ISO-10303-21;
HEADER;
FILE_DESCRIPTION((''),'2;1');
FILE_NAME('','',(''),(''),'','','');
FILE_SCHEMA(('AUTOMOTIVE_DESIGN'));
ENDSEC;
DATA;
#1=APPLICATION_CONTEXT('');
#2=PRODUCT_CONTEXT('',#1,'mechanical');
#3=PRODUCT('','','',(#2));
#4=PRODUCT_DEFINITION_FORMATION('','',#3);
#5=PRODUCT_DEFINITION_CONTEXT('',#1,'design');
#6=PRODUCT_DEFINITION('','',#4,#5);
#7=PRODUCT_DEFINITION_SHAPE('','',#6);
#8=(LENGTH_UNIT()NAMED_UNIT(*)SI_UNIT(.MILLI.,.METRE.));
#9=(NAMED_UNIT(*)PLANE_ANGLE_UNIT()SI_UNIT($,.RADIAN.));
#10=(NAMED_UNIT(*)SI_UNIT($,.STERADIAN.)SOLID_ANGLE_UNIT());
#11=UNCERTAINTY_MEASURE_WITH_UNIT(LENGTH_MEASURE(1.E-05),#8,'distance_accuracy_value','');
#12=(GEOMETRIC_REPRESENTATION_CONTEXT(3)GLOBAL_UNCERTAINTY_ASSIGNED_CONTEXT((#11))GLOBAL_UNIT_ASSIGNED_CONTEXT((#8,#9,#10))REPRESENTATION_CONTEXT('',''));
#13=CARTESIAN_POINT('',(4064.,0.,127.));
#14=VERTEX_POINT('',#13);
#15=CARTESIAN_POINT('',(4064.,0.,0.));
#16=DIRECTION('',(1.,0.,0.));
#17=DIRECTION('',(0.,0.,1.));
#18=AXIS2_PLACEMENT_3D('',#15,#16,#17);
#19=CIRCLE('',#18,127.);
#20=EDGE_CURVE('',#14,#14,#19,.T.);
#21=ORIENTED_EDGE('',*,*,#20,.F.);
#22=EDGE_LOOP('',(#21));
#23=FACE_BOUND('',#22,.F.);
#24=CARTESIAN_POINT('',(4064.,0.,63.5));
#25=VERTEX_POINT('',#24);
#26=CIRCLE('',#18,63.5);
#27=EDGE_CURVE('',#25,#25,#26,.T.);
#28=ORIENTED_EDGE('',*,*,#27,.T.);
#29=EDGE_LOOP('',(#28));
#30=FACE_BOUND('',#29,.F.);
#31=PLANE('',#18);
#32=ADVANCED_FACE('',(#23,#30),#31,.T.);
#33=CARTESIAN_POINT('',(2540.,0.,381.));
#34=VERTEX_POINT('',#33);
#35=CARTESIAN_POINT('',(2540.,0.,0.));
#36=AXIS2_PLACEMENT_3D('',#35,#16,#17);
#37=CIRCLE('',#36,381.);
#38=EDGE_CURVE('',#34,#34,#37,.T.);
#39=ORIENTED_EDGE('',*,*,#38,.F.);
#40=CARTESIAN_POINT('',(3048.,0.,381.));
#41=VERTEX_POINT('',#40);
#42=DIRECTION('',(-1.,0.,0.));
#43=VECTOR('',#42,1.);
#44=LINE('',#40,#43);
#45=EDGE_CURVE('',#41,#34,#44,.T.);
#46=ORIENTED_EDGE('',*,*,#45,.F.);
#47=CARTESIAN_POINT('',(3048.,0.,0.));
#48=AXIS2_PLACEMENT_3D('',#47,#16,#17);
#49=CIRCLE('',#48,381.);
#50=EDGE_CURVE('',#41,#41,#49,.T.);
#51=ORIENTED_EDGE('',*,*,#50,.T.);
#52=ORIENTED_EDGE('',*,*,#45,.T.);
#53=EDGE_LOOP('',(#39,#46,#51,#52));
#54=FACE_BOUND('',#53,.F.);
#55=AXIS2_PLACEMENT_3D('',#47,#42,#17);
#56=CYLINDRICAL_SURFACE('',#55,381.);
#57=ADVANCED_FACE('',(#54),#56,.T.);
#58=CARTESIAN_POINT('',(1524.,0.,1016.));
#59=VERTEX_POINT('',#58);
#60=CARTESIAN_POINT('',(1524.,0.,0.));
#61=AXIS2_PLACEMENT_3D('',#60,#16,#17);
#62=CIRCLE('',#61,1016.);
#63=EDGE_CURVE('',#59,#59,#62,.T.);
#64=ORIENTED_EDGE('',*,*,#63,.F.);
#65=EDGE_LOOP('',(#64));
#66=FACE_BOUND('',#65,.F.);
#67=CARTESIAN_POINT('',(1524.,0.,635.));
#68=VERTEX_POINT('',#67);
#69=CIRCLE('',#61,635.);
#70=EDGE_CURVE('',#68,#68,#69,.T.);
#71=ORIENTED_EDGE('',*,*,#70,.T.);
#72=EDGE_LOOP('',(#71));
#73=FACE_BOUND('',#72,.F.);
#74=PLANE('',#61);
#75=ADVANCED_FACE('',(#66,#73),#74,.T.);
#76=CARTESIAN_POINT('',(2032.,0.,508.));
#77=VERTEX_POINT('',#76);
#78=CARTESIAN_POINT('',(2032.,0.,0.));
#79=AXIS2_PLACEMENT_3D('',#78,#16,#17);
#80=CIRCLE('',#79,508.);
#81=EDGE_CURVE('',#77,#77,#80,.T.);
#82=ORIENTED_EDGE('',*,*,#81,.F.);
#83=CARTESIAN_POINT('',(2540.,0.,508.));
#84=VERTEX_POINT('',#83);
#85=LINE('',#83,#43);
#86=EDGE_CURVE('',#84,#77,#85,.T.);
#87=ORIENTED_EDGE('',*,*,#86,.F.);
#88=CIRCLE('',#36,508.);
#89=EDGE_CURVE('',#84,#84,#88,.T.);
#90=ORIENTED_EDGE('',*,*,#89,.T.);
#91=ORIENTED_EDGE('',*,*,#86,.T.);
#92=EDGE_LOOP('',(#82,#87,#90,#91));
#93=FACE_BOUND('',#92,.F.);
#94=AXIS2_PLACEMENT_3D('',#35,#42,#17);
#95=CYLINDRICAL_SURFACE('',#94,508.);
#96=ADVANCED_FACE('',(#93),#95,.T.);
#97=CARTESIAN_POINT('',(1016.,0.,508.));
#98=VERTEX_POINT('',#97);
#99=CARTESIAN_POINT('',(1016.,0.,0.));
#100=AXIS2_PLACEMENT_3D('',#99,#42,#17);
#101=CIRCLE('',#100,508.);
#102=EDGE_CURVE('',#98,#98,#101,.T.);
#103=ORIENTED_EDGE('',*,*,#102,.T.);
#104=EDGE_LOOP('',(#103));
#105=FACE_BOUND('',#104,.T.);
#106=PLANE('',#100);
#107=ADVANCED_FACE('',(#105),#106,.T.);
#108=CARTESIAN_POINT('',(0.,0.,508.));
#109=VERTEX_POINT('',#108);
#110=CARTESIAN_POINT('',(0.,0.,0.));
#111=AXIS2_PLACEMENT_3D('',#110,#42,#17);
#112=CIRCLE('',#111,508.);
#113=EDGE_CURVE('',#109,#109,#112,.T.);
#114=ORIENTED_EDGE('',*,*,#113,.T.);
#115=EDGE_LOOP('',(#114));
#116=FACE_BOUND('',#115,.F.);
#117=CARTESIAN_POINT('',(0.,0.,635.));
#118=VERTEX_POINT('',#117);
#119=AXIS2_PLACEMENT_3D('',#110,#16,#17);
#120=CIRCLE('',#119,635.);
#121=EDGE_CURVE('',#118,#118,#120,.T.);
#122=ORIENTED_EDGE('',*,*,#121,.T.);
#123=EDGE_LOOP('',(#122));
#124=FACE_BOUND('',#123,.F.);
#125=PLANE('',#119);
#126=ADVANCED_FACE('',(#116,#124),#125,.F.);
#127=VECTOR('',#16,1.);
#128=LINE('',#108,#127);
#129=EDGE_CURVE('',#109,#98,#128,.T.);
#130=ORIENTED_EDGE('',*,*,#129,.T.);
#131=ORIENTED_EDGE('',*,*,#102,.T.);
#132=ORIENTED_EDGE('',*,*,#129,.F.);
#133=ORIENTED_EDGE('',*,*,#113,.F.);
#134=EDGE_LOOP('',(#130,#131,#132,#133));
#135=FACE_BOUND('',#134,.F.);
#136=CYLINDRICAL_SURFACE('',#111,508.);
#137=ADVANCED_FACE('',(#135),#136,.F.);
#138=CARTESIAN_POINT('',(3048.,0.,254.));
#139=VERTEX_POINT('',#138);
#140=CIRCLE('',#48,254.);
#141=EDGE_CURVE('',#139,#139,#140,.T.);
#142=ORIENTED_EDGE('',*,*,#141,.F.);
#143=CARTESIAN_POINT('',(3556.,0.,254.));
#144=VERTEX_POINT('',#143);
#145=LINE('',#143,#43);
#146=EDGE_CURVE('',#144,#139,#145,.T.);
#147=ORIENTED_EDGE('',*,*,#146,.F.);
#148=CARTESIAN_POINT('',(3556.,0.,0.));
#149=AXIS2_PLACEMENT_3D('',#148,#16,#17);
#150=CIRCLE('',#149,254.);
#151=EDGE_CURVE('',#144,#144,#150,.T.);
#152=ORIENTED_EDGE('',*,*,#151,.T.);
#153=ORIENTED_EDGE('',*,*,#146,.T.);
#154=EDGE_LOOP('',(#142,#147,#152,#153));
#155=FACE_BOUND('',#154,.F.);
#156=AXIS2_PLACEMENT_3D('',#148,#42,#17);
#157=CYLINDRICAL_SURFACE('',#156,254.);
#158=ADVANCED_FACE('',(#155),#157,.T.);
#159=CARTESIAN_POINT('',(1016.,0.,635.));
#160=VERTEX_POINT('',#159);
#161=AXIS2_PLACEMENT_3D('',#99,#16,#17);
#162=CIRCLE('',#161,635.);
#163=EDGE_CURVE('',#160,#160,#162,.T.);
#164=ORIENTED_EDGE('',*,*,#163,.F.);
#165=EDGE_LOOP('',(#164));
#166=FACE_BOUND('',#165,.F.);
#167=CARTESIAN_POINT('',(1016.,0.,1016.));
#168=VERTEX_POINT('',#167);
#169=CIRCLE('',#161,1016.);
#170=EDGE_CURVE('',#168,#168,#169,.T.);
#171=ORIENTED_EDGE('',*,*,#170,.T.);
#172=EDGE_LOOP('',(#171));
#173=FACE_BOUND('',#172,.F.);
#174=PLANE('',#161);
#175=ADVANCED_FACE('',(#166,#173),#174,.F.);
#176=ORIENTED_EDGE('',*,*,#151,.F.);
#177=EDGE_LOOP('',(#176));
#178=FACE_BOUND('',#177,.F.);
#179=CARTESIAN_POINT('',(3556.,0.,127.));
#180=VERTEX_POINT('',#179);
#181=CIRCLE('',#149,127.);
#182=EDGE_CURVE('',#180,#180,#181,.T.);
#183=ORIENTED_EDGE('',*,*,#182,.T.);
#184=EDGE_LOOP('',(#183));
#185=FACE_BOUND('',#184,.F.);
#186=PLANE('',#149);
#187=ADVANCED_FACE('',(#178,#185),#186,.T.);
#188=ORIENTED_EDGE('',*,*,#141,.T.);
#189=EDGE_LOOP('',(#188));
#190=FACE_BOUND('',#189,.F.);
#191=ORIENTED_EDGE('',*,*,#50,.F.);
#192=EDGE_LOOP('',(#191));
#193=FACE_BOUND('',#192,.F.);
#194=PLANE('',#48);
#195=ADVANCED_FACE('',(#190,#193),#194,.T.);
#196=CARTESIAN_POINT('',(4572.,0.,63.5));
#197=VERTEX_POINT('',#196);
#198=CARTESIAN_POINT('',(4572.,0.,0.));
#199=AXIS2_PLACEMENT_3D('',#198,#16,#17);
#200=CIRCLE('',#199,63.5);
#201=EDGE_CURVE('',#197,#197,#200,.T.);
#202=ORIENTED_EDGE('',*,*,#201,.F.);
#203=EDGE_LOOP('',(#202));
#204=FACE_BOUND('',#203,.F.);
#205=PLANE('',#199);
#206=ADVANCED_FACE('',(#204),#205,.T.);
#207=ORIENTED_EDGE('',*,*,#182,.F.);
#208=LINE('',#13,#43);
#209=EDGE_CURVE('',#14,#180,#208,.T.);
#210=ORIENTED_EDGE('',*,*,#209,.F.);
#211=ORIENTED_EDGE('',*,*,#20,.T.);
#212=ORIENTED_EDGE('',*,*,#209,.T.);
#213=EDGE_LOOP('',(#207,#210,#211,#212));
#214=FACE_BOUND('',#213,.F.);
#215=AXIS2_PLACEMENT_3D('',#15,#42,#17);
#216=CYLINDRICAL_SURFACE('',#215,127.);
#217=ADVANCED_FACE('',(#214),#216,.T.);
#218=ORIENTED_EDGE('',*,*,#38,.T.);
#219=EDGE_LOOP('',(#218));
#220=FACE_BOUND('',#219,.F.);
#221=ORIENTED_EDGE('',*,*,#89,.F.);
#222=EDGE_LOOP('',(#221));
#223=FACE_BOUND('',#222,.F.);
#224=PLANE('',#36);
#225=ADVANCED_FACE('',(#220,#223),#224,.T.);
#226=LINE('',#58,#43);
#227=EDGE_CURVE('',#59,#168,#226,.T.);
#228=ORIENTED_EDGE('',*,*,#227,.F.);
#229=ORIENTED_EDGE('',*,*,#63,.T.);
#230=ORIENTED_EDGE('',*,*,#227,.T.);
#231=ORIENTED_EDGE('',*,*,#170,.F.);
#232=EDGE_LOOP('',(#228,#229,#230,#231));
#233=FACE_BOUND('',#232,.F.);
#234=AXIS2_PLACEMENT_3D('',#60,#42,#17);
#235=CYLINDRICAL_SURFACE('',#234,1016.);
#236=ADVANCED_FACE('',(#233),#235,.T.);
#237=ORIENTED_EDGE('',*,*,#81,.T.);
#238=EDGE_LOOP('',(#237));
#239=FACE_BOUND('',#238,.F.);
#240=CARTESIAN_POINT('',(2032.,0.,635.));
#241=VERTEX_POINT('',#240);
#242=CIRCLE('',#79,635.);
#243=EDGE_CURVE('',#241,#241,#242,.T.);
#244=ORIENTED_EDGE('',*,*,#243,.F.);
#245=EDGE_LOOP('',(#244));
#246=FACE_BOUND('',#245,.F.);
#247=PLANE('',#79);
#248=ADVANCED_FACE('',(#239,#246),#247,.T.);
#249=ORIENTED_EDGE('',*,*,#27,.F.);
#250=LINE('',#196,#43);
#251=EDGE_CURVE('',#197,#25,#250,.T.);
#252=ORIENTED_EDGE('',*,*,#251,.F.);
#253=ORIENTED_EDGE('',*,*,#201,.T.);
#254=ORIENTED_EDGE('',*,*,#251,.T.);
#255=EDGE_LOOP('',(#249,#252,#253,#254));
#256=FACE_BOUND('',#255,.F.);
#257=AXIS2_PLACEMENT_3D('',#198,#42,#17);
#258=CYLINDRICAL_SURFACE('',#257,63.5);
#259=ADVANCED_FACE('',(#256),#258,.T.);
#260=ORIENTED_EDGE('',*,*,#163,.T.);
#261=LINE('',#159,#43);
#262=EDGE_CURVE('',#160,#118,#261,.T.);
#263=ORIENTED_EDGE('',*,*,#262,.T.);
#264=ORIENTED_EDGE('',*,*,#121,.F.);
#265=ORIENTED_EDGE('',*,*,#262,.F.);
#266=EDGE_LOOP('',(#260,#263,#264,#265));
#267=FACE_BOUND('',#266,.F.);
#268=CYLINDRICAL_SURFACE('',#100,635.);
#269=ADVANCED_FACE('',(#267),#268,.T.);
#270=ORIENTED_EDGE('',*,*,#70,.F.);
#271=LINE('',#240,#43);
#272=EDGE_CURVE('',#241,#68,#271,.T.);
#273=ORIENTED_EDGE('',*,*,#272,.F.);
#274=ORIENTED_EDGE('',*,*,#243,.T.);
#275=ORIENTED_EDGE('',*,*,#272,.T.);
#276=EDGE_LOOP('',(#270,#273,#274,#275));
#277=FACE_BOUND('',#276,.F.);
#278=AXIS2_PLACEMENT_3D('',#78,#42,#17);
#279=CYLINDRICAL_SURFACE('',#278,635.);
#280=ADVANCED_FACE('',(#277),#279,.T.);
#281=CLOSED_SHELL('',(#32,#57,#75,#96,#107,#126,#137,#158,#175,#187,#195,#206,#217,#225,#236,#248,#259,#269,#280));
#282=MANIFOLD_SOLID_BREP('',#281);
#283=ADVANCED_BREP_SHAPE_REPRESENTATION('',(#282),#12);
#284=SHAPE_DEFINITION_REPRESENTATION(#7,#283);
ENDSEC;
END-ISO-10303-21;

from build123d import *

# Parameters (mm, degrees)
SKETCH3_R          = 508
CUT_EXTRUDE2_DEPTH = 1016


with BuildPart() as part:
    # Sketch1 → Revolve1 (revolve)
    with BuildSketch(Plane.XY, mode=Mode.PRIVATE) as revolve1_sk:
        Polygon((4064, -127), (3556, -127), (3556, -254), (3048, -254), (3048, -381), (2540, -381), (2540, -508), (2032, -508), (2032, -635), (1524, -635), (1524, -1016), (1016, -1016), (1016, -635), (0, -635), (0, 0), (4572, 0), (4572, -63.5), (4064, -63.5), align=None)
    revolve(revolve1_sk.sketch.rotate(Axis((0, 0, 0), (1, 0, 0)), 270), axis=Axis((0, 0, 0), (1, 0, 0)))  # turned: the seam where the file's is

    # Sketch3 → Cut-Extrude2 (cut)
    with BuildSketch(Plane.ZY):
        Circle(SKETCH3_R)
    extrude(amount=-CUT_EXTRUDE2_DEPTH, mode=Mode.SUBTRACT)


solid = part.part
